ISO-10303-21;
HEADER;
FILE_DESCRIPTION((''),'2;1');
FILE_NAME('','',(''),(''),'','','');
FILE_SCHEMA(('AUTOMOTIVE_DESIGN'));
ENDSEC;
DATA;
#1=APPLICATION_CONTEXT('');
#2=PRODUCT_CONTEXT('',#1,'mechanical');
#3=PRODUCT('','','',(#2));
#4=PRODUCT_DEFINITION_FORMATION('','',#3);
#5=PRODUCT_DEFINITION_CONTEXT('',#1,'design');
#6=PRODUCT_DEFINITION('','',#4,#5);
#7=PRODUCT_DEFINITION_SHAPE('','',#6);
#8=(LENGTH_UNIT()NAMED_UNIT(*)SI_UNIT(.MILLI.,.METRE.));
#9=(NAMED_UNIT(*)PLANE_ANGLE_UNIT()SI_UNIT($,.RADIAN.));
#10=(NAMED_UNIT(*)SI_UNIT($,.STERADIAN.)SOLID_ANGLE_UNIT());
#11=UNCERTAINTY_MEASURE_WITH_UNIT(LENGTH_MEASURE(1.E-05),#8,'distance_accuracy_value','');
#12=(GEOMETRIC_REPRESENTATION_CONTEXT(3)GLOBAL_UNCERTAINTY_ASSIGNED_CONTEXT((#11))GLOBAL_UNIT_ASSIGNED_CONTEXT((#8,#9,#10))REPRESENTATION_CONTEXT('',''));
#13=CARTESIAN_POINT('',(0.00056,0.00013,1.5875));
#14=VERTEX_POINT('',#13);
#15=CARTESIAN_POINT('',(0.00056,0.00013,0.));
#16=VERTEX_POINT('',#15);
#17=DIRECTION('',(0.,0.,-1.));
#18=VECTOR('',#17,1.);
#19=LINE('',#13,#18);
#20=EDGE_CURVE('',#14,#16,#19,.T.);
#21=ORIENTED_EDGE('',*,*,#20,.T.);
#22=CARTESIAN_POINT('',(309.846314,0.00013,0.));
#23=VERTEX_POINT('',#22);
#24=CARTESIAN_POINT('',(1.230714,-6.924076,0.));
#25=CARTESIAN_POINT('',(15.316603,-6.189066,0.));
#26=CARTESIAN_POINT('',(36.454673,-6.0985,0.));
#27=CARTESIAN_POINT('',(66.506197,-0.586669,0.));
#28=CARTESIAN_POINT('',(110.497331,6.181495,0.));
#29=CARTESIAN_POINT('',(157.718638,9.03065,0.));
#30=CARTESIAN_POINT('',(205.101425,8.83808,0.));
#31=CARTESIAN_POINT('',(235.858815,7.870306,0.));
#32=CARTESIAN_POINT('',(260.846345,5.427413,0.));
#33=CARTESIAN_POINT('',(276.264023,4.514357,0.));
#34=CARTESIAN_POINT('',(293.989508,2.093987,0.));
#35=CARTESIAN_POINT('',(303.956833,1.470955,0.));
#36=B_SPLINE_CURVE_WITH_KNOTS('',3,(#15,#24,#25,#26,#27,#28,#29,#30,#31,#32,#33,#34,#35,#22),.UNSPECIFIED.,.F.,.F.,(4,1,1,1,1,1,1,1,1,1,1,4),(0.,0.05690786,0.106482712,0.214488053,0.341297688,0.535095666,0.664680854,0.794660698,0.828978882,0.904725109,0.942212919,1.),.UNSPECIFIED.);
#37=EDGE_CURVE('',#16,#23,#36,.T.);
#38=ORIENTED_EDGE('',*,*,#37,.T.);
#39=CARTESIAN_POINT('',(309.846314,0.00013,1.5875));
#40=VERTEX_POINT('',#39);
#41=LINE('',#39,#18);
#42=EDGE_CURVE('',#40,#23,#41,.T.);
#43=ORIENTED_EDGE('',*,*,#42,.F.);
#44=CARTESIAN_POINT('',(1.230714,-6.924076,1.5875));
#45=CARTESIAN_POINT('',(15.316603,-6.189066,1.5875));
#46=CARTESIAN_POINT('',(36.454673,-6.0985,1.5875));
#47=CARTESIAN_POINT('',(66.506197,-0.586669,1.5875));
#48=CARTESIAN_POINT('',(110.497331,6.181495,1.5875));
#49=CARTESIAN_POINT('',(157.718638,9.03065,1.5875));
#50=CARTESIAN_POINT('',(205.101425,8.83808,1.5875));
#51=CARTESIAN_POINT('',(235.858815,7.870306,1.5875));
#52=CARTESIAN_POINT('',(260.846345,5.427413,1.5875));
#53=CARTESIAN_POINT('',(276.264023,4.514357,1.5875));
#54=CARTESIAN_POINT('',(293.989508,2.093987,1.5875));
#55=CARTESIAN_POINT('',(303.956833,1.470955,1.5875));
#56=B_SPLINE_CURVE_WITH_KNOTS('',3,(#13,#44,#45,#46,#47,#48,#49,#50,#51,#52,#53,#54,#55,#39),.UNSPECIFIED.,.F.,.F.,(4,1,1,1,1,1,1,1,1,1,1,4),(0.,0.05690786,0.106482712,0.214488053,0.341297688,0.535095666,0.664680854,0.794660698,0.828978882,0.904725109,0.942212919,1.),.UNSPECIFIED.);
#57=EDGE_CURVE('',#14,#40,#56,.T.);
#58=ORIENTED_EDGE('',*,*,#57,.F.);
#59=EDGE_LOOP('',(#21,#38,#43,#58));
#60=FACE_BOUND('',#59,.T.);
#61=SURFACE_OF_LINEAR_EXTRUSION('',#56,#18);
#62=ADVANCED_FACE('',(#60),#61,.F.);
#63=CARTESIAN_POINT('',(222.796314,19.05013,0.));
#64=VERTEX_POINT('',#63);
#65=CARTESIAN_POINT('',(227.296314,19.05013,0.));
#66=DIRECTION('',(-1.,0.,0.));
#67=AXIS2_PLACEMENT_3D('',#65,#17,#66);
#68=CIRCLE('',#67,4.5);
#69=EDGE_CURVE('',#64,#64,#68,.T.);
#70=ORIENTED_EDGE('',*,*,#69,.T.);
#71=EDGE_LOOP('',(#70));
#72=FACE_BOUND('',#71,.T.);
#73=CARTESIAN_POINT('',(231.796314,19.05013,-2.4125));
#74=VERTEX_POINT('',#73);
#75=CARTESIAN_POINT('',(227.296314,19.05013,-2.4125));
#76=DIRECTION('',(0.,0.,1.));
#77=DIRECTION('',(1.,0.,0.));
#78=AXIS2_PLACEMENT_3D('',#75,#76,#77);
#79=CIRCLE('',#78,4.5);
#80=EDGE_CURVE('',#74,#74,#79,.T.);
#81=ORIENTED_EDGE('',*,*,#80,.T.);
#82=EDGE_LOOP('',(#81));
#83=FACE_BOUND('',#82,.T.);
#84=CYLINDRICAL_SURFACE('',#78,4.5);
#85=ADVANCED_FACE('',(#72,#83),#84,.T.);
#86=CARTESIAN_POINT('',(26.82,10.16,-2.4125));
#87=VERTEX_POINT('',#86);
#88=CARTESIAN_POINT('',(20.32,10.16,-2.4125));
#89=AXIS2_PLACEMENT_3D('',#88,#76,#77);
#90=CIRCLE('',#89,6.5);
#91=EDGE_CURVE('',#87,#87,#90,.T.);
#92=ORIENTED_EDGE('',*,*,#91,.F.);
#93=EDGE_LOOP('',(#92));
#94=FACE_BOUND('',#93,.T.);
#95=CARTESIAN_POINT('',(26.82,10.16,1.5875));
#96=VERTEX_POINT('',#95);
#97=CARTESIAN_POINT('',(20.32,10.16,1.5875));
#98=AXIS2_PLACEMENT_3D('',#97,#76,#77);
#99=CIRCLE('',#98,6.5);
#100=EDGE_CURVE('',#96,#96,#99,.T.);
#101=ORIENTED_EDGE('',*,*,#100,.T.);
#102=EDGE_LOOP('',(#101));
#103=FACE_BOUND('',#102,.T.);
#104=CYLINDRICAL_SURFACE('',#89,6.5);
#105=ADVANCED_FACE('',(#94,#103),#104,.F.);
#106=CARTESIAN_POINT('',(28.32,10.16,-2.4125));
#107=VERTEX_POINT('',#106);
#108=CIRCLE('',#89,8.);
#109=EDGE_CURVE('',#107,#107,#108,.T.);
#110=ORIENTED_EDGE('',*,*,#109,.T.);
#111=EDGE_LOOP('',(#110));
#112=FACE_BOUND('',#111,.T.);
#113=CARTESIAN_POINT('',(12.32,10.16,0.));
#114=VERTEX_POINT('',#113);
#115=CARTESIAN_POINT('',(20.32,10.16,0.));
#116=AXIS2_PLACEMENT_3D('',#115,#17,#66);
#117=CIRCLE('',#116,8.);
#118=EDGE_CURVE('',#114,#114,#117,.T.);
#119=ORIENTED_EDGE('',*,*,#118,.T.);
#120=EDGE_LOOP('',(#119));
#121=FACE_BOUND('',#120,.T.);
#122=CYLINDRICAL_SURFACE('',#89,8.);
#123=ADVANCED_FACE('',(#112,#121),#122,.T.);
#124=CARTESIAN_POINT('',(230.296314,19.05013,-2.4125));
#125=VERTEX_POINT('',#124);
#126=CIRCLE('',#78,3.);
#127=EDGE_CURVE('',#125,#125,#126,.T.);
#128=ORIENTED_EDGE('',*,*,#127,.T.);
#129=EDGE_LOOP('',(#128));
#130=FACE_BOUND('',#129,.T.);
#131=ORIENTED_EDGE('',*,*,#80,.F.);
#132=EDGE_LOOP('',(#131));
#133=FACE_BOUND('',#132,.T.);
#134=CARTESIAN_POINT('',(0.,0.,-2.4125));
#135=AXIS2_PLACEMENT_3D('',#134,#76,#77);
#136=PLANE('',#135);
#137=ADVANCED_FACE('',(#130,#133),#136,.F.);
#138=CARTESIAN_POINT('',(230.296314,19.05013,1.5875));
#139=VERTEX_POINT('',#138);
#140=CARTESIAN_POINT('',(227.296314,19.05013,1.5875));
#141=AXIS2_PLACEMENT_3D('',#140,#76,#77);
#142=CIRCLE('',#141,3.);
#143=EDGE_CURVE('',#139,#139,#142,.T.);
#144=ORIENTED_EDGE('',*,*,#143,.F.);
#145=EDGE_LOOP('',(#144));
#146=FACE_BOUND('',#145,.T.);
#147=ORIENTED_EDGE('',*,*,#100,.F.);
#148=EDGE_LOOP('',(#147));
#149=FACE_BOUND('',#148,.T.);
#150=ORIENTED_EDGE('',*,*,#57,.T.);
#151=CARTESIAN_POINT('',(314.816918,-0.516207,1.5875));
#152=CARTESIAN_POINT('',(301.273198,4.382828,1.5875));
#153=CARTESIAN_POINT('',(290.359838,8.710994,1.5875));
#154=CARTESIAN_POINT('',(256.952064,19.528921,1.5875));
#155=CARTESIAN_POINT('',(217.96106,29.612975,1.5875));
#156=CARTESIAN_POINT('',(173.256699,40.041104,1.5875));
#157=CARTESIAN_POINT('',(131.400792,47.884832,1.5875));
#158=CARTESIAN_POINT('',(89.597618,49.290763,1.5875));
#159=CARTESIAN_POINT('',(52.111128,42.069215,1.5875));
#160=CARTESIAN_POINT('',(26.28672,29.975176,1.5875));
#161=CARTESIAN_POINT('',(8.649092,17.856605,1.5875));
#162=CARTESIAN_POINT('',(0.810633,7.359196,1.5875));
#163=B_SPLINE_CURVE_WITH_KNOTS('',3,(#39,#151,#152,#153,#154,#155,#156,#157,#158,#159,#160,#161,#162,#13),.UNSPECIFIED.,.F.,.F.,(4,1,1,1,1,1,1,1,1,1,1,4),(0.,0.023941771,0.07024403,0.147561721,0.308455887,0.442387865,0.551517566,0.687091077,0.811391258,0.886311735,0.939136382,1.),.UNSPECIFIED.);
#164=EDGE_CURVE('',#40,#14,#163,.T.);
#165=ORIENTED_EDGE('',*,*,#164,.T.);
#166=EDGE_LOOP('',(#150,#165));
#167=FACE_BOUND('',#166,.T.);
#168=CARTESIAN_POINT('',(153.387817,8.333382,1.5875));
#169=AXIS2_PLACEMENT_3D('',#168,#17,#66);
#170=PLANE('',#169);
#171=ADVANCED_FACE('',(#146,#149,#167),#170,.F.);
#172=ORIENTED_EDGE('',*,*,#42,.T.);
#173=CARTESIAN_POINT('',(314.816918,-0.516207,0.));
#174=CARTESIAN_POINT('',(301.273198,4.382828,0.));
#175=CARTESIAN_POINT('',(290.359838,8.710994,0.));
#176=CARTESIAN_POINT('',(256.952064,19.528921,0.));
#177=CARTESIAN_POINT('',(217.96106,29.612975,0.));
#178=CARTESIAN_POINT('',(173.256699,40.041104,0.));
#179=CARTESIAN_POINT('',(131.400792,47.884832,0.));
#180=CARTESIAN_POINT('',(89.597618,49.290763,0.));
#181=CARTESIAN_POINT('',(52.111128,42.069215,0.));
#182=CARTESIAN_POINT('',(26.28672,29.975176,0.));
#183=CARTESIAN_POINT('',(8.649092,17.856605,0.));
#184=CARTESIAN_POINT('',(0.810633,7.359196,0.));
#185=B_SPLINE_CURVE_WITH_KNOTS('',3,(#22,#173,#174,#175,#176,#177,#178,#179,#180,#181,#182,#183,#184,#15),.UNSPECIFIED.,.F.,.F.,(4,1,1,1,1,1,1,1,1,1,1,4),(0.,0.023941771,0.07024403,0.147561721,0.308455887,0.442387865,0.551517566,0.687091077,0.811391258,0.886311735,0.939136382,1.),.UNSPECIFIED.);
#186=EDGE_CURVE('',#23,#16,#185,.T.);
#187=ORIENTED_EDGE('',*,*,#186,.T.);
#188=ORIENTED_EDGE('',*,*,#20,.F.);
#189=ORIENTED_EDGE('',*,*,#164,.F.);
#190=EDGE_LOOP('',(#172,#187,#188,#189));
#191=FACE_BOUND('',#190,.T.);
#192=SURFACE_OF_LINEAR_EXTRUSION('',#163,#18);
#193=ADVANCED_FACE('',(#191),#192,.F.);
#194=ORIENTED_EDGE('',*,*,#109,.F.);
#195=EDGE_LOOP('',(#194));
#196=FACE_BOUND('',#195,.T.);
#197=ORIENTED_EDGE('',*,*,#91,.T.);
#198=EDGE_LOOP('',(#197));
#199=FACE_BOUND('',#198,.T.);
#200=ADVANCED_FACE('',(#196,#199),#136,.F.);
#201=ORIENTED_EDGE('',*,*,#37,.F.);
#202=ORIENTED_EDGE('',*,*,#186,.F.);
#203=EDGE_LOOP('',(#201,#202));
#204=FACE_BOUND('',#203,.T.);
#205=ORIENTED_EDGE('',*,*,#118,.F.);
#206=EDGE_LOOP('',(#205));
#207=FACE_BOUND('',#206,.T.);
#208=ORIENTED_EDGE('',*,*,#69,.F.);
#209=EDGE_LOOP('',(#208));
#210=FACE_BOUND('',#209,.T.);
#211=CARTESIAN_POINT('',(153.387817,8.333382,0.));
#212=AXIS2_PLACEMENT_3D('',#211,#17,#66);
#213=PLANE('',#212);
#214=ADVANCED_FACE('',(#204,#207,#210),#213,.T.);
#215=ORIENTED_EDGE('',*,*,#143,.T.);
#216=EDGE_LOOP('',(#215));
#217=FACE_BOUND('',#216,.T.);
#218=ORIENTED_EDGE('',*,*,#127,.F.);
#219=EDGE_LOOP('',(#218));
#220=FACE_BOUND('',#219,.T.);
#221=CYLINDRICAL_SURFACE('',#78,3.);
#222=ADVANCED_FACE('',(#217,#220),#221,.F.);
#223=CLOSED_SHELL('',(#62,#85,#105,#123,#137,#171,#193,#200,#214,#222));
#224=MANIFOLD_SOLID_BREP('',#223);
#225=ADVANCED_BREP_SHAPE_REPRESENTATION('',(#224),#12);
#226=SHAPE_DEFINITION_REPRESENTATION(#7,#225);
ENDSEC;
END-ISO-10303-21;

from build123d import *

# Parameters (mm, degrees)
BOSS_EXTRUDE1_DEPTH = 1.5875
SKETCH2_R           = 8
SKETCH2_R_2         = 6.5
SKETCH2_R_3         = 4.5
SKETCH2_R_4         = 3
BOSS_EXTRUDE2_DEPTH = 4
SKETCH2_4_R         = 6.5
SKETCH2_4_R_2       = 3
CUT_EXTRUDE1_DEPTH  = 4


with BuildPart() as part:
    # Sketch1 → Boss-Extrude1 (new body)
    with BuildSketch(Plane.XY):
        with BuildLine():
            add(Edge.make_bspline(
                [(0.000560351, 0.000130087), (0.810633127, 7.359196055), (8.649092025, 17.856605174), (26.286719818, 29.975176328), (52.111128271, 42.069215275), (89.597618475, 49.290763054), (131.400792109, 47.884831915), (173.256699242, 40.041104278), (217.961060472, 29.612974894), (256.952064401, 19.528920948), (290.35983767, 8.71099439), (301.273197721, 4.382828139), (314.816918223, -0.516206742), (309.846313895, 0.000130087)],
                knots=[0, 0, 0, 0, 0.060863618, 0.113688265, 0.188608742, 0.312908923, 0.448482434, 0.557612135, 0.691544113, 0.852438279, 0.92975597, 0.976058229, 1, 1, 1, 1], degree=3))
            add(Edge.make_bspline(
                [(309.846313895, 0.000130087), (303.956832565, 1.47095521), (293.989507544, 2.093987313), (276.26402299, 4.514356704), (260.846344817, 5.427413394), (235.858814759, 7.870306192), (205.101424636, 8.838080282), (157.718638092, 9.030650149), (110.497331172, 6.181495223), (66.506197185, -0.586669107), (36.454672816, -6.098499901), (15.316603331, -6.189065841), (1.230714189, -6.924076091), (0.000560351, 0.000130087)],
                knots=[0, 0, 0, 0, 0.057787081, 0.095274891, 0.171021118, 0.205339302, 0.335319146, 0.464904334, 0.658702312, 0.785511947, 0.893517288, 0.94309214, 1, 1, 1, 1], degree=3))
        make_face()
    extrude(amount=BOSS_EXTRUDE1_DEPTH)

    # Sketch2 → Boss-Extrude2 (add)
    # profile 1 of 2: a face of its own
    with BuildSketch(Plane.XY.offset(1.5875)):
        with Locations((20.32, 10.16)):
            Circle(SKETCH2_R)
        with Locations((20.32, 10.16)):
            Circle(SKETCH2_R_2, mode=Mode.SUBTRACT)
    # profile 2 of 2: a face of its own
    with BuildSketch(Plane.XY.offset(1.5875)):
        with Locations((227.296313895, 19.050130087)):
            Circle(SKETCH2_R_3)
        with Locations((227.296313895, 19.050130087)):
            Circle(SKETCH2_R_4, mode=Mode.SUBTRACT)
    extrude(amount=-BOSS_EXTRUDE2_DEPTH)

    # Sketch2<4> → Cut-Extrude1 (cut)
    with BuildSketch(Plane.XY.offset(1.5875)):
        with Locations((20.32, 10.16)):
            Circle(SKETCH2_4_R)
        with Locations((227.296313895, 19.050130087)):
            Circle(SKETCH2_4_R_2)
    extrude(amount=-CUT_EXTRUDE1_DEPTH, mode=Mode.SUBTRACT)


solid = part.part
